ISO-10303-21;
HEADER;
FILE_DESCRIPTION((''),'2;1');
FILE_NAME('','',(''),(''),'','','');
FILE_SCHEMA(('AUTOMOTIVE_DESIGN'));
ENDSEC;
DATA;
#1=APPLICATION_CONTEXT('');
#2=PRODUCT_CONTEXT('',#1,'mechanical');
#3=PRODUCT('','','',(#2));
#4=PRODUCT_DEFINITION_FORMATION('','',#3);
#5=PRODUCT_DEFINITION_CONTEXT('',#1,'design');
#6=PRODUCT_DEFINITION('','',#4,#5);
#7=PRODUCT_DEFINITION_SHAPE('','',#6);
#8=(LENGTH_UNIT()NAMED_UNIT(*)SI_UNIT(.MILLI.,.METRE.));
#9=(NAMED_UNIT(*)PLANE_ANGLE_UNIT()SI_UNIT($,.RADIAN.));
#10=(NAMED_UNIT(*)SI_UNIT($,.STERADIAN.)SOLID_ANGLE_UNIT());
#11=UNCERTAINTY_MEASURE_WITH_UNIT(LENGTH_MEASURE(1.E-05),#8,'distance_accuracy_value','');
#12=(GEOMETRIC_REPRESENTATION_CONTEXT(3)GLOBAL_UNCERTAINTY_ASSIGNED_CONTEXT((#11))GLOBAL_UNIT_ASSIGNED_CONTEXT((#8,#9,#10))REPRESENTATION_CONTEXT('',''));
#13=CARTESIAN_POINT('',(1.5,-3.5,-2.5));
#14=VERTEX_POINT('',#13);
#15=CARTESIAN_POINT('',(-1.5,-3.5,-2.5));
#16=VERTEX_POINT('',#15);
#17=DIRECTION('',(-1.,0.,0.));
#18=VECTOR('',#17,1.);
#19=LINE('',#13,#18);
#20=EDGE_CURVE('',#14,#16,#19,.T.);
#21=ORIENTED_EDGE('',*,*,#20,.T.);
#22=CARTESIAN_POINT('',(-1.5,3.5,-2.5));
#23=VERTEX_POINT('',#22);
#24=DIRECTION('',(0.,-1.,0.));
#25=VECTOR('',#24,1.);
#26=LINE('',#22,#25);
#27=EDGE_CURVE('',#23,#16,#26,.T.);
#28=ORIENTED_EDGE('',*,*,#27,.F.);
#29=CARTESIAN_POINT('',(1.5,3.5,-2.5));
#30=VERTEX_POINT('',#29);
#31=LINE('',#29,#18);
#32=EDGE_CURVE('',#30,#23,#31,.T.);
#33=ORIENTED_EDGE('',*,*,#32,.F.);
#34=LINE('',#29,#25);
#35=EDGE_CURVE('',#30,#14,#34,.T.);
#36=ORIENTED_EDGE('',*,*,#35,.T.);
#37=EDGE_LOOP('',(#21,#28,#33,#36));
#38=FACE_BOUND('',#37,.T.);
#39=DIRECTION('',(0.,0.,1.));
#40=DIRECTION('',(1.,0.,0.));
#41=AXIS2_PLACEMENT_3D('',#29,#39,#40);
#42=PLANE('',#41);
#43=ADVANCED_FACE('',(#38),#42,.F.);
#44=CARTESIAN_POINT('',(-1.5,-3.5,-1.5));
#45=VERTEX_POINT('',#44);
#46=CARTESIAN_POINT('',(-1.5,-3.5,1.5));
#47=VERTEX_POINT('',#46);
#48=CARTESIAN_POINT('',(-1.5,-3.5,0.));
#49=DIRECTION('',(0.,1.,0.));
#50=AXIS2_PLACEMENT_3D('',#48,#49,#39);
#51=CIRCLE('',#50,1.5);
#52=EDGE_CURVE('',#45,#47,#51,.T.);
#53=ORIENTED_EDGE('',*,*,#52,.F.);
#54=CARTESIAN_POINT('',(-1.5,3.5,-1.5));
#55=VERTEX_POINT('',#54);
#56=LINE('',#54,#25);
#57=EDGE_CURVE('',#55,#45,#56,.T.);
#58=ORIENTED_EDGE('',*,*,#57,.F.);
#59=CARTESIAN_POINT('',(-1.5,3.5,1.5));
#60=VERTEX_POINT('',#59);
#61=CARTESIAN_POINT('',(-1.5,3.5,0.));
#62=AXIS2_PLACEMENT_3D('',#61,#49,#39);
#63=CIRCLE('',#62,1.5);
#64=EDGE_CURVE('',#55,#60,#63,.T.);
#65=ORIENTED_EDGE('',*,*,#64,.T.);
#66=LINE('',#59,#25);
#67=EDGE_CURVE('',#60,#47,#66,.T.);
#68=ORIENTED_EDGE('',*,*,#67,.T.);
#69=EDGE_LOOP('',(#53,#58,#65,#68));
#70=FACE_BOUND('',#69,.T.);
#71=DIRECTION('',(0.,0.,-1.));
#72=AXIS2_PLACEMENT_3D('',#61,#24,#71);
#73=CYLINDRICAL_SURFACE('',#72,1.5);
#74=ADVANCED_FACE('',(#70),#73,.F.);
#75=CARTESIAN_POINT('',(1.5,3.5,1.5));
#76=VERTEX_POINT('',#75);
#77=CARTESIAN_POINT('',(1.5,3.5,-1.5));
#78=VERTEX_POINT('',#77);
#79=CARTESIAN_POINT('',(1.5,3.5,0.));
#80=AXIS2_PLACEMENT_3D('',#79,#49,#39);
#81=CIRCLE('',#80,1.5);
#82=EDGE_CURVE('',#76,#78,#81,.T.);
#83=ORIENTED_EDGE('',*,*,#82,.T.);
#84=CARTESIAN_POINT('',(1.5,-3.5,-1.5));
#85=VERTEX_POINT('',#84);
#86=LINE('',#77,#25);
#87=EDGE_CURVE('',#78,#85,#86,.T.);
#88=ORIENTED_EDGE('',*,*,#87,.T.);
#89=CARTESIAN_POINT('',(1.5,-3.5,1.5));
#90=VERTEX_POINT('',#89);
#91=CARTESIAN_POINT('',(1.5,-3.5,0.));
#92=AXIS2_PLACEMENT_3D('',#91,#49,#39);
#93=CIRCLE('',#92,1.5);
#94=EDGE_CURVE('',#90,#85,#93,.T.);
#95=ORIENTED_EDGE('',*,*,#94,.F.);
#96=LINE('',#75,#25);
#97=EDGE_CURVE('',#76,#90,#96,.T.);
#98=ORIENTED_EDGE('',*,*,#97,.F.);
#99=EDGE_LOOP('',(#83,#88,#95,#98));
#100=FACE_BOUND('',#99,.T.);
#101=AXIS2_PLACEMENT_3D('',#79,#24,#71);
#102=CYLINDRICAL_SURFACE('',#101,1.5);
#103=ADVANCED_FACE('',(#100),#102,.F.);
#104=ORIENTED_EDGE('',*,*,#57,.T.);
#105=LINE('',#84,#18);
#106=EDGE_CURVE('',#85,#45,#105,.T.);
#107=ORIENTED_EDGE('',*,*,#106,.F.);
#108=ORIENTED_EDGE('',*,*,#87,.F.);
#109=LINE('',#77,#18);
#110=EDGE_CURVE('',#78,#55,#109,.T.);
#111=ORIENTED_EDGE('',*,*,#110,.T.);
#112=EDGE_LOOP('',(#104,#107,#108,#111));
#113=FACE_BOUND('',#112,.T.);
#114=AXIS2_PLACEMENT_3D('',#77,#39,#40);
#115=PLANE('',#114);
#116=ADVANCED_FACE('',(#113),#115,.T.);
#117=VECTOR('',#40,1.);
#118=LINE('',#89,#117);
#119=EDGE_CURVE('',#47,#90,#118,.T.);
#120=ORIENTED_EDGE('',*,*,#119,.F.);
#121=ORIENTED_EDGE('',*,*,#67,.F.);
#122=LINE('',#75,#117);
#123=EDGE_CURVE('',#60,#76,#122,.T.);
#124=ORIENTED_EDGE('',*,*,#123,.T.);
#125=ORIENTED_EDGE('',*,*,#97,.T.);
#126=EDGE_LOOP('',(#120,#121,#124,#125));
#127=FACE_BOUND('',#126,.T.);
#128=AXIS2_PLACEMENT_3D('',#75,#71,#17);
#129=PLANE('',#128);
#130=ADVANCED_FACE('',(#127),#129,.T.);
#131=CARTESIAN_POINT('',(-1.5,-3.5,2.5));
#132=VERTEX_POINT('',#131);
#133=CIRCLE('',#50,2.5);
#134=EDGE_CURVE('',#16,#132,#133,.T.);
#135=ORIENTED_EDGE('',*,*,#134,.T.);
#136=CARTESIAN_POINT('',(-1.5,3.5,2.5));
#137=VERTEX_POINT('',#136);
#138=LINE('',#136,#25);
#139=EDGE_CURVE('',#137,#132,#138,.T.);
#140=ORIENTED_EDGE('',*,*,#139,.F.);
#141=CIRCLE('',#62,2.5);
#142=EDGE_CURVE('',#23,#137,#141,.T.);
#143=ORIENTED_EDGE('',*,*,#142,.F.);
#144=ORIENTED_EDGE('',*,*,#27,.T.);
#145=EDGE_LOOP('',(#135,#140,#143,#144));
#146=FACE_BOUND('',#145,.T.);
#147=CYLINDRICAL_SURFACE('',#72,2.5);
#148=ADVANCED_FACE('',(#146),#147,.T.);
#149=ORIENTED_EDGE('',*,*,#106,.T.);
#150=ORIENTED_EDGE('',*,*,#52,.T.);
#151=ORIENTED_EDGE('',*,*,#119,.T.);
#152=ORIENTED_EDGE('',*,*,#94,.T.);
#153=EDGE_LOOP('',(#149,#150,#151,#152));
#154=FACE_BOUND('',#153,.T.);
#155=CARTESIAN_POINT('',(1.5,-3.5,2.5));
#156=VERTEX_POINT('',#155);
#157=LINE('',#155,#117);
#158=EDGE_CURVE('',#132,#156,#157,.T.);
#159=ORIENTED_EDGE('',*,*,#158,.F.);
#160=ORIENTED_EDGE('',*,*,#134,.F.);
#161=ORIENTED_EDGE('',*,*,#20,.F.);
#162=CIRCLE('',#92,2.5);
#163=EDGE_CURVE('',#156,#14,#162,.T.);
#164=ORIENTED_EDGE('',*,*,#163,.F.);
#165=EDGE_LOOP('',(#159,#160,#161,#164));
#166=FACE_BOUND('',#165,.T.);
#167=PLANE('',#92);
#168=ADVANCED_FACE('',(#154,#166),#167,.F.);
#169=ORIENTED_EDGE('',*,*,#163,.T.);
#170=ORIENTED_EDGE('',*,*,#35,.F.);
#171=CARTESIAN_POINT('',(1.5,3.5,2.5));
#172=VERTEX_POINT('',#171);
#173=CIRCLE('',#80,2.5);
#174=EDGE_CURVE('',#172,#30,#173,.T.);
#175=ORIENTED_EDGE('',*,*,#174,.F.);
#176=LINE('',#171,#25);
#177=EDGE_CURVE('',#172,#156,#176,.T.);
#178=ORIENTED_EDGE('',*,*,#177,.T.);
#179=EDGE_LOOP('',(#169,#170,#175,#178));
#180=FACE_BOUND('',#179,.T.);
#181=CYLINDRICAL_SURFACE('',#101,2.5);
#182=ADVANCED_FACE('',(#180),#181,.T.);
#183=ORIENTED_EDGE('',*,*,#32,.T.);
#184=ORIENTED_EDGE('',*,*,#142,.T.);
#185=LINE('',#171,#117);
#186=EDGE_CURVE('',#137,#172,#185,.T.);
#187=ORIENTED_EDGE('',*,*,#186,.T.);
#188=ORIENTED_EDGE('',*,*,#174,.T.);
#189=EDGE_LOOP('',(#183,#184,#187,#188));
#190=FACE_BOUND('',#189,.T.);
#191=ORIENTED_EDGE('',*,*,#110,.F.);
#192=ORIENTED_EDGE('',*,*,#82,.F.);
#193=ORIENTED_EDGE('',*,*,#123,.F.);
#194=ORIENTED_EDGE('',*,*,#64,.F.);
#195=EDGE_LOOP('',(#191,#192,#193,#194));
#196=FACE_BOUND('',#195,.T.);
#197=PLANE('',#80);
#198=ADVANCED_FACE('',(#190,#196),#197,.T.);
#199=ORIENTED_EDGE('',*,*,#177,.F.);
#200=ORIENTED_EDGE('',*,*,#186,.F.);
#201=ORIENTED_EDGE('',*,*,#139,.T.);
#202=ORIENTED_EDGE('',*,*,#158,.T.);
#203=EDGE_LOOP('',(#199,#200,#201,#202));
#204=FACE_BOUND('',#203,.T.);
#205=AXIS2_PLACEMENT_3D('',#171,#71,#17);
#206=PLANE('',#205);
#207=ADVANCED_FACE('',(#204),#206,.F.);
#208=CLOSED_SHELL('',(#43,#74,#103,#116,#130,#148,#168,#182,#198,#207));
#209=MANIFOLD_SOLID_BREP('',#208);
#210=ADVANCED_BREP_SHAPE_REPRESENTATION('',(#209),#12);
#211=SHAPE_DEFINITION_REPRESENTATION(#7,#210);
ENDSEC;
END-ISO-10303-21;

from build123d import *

# Parameters (mm, degrees)
BOSS_EXTRUDE1_DEPTH = 3.5


with BuildPart() as part:
    # Sketch1 → Boss-Extrude1 (new, symmetric)
    with BuildSketch(Plane(origin=(0, 0, 0), x_dir=(1, 0, 0), z_dir=(0, 1, 0))):
        with BuildLine():
            Line((1.5, -2.5), (-1.5, -2.5))
            ThreePointArc((-1.5, -2.5), (-4, 0), (-1.5, 2.5))
            Line((-1.5, 2.5), (1.5, 2.5))
            ThreePointArc((1.5, 2.5), (4, 0), (1.5, -2.5))
        make_face()
        with BuildLine():
            Line((1.5, -1.5), (-1.5, -1.5))
            ThreePointArc((-1.5, -1.5), (-3, 0), (-1.5, 1.5))
            Line((-1.5, 1.5), (1.5, 1.5))
            ThreePointArc((1.5, 1.5), (3, 0), (1.5, -1.5))
        make_face(mode=Mode.SUBTRACT)
    extrude(amount=BOSS_EXTRUDE1_DEPTH, both=True)


solid = part.part
